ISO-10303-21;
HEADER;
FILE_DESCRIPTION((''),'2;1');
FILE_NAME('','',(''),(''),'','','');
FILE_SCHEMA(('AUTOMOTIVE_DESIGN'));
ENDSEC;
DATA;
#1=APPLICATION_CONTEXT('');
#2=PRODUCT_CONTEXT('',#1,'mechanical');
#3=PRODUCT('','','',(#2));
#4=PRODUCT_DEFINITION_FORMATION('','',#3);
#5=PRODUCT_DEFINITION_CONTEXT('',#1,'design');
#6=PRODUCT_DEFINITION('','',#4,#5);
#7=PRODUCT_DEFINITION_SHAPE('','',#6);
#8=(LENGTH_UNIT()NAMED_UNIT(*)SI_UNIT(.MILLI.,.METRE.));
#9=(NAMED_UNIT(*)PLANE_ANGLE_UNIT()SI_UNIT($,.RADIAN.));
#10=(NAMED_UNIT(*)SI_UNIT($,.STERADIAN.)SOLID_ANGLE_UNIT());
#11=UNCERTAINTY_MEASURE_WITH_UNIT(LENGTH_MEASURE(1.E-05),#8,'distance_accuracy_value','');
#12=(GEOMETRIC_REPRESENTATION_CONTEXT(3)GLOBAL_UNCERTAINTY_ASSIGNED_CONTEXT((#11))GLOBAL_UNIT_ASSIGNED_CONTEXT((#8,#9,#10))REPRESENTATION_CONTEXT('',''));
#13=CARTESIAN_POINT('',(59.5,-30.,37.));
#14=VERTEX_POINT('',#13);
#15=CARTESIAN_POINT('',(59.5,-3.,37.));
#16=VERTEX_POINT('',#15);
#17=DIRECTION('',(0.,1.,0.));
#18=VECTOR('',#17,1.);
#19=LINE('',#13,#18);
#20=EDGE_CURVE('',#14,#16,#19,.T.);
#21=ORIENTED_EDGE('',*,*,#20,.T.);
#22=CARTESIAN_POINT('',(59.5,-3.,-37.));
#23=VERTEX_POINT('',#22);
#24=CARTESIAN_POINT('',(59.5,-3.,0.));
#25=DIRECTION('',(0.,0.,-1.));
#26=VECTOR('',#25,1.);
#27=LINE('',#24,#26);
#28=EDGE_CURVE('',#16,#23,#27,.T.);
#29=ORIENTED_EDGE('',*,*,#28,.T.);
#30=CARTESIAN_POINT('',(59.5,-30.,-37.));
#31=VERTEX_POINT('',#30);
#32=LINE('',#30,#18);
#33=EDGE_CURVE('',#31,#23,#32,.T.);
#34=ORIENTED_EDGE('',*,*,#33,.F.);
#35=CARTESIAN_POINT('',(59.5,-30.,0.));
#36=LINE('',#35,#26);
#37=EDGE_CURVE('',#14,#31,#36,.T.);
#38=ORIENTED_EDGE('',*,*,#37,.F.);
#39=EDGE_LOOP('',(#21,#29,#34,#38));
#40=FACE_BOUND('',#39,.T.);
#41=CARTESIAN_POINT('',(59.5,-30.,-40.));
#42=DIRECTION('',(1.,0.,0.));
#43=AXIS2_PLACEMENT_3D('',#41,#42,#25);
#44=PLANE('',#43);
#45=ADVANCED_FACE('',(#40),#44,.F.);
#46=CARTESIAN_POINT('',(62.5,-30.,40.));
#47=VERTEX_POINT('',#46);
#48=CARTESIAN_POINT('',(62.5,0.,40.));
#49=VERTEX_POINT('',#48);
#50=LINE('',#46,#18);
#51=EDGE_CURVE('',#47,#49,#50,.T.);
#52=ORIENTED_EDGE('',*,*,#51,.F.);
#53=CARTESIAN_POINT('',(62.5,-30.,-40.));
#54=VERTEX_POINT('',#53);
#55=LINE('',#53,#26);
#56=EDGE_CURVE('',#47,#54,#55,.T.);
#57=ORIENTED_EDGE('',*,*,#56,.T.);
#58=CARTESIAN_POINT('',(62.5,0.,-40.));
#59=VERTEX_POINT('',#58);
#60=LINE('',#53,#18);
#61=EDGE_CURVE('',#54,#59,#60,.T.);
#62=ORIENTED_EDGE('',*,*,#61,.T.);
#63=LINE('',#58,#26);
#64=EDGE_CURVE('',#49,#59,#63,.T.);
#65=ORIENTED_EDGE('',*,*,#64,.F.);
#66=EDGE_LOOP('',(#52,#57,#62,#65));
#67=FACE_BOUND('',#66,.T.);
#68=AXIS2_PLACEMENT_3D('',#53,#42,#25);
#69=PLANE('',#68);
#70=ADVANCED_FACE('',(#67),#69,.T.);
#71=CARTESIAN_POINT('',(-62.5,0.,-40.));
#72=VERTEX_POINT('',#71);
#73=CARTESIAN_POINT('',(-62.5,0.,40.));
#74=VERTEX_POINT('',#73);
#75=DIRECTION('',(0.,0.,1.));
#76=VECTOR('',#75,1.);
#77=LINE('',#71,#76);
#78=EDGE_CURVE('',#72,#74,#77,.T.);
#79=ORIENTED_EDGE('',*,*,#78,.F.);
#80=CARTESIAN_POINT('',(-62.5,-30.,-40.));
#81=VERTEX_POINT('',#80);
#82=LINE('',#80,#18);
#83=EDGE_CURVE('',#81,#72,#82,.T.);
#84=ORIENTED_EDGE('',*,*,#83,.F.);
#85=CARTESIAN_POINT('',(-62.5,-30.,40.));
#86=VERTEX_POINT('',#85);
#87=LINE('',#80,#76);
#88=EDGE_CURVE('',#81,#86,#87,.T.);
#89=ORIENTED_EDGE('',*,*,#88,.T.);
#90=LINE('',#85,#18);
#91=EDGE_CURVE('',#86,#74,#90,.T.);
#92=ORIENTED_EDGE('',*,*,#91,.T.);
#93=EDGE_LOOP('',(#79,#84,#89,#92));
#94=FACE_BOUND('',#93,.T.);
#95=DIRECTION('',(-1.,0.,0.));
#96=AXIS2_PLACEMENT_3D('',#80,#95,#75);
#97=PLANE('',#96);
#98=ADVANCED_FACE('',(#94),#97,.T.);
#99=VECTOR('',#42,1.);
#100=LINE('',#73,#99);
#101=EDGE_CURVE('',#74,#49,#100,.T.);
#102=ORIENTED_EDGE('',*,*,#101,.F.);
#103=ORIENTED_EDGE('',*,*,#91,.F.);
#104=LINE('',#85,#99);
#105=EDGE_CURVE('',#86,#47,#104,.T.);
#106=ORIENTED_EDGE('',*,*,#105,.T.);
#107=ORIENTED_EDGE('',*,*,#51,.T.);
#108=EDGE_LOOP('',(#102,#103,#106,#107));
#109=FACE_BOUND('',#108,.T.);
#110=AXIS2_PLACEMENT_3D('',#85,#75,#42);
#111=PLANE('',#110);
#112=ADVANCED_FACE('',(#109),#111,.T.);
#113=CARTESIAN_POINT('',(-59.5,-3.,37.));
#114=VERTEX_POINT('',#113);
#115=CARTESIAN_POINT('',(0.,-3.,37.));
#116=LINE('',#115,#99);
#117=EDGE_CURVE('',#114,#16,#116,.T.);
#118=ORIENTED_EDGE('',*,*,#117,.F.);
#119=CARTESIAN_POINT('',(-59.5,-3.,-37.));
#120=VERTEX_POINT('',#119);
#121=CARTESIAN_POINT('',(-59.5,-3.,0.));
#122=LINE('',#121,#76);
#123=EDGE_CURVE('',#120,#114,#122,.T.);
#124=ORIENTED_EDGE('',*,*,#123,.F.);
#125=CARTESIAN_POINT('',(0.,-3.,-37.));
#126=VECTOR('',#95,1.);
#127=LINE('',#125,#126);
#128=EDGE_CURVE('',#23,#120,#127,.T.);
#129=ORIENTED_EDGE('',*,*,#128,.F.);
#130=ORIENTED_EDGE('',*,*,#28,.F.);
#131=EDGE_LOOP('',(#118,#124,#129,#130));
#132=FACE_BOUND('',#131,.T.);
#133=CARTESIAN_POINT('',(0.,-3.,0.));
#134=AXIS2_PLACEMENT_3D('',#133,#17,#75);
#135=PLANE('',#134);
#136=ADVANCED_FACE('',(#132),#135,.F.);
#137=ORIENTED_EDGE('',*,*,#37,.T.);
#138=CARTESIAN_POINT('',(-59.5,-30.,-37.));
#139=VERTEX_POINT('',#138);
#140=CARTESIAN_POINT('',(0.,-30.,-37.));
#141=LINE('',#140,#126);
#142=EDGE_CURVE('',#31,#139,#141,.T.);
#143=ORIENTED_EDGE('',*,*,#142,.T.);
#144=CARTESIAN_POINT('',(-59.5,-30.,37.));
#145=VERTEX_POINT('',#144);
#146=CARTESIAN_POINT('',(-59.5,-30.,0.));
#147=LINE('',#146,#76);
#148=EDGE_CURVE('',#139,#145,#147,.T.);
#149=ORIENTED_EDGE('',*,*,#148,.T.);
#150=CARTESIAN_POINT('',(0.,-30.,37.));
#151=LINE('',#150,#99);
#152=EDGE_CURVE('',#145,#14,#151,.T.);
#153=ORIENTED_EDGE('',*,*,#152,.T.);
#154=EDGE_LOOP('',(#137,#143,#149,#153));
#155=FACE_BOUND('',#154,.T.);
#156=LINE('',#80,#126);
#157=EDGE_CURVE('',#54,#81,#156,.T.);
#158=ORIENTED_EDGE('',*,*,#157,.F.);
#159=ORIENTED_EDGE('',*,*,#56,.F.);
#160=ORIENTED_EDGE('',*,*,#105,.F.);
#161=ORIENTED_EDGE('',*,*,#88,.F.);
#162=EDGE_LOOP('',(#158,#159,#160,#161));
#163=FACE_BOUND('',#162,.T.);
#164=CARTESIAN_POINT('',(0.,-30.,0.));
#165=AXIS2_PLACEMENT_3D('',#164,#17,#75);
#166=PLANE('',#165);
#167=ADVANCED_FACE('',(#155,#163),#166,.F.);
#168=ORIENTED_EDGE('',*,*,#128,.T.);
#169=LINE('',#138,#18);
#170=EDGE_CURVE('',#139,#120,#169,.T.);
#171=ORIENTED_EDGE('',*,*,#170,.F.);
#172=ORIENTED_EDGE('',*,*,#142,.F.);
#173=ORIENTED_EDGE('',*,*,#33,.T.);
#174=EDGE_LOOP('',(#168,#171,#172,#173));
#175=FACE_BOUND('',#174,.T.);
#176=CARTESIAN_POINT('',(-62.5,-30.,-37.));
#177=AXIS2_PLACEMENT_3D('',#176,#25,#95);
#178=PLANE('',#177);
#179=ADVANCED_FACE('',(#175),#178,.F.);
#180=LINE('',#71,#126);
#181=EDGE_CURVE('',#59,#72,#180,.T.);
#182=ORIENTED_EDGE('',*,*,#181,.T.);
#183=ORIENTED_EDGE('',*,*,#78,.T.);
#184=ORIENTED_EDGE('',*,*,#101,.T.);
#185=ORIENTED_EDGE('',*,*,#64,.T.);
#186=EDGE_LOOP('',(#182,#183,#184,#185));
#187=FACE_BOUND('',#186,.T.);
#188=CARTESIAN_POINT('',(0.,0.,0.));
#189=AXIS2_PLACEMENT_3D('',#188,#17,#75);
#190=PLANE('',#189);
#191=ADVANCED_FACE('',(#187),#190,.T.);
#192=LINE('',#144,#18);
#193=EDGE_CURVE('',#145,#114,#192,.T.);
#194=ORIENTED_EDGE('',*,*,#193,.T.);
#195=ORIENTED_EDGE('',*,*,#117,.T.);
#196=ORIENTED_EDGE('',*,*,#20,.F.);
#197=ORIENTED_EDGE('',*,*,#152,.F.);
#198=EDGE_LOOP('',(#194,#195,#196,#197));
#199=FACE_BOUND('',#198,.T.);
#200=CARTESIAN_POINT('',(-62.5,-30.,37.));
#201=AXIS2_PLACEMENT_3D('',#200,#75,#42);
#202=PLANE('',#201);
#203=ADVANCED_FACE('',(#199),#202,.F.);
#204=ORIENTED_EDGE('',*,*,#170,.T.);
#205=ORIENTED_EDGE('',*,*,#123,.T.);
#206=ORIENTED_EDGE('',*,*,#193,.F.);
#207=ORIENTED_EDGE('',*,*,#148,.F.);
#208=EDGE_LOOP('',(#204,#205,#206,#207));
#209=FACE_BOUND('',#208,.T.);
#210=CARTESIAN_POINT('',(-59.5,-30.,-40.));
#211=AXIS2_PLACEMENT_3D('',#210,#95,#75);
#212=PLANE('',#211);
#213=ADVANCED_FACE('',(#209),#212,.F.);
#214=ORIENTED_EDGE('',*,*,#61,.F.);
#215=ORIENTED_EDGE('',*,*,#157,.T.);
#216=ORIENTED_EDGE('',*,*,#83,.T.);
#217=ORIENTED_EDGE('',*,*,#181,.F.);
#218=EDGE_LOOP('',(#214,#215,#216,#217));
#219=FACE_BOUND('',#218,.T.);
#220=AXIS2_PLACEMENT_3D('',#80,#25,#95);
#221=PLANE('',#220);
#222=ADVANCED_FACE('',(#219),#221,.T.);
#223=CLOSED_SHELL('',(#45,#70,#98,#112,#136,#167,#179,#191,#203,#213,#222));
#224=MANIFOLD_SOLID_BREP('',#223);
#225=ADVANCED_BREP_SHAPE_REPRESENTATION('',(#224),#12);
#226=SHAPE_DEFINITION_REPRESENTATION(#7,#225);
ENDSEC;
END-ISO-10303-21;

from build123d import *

# Parameters (mm, degrees)
SZKIC1_W                    = 125
SZKIC1_H                    = 80
DODANIE_WYCI_GNI_CIE1_DEPTH = 30
SKORUPA2_T                  = -3


with BuildPart() as part:
    # Szkic1 → Dodanie-wyciągnięcie1 (new body)
    with BuildSketch(Plane(origin=(0, 0, 0), x_dir=(1, 0, 0), z_dir=(0, 1, 0))):
        Rectangle(SZKIC1_W, SZKIC1_H)
    extrude(amount=-DODANIE_WYCI_GNI_CIE1_DEPTH)

    # Skorupa2
    skorupa2_openings = [part.faces().sort_by_distance(p)[0] for p in [
        (0, -30, 0),
    ]]
    offset(amount=SKORUPA2_T, openings=skorupa2_openings, kind=Kind.INTERSECTION)


solid = part.part
